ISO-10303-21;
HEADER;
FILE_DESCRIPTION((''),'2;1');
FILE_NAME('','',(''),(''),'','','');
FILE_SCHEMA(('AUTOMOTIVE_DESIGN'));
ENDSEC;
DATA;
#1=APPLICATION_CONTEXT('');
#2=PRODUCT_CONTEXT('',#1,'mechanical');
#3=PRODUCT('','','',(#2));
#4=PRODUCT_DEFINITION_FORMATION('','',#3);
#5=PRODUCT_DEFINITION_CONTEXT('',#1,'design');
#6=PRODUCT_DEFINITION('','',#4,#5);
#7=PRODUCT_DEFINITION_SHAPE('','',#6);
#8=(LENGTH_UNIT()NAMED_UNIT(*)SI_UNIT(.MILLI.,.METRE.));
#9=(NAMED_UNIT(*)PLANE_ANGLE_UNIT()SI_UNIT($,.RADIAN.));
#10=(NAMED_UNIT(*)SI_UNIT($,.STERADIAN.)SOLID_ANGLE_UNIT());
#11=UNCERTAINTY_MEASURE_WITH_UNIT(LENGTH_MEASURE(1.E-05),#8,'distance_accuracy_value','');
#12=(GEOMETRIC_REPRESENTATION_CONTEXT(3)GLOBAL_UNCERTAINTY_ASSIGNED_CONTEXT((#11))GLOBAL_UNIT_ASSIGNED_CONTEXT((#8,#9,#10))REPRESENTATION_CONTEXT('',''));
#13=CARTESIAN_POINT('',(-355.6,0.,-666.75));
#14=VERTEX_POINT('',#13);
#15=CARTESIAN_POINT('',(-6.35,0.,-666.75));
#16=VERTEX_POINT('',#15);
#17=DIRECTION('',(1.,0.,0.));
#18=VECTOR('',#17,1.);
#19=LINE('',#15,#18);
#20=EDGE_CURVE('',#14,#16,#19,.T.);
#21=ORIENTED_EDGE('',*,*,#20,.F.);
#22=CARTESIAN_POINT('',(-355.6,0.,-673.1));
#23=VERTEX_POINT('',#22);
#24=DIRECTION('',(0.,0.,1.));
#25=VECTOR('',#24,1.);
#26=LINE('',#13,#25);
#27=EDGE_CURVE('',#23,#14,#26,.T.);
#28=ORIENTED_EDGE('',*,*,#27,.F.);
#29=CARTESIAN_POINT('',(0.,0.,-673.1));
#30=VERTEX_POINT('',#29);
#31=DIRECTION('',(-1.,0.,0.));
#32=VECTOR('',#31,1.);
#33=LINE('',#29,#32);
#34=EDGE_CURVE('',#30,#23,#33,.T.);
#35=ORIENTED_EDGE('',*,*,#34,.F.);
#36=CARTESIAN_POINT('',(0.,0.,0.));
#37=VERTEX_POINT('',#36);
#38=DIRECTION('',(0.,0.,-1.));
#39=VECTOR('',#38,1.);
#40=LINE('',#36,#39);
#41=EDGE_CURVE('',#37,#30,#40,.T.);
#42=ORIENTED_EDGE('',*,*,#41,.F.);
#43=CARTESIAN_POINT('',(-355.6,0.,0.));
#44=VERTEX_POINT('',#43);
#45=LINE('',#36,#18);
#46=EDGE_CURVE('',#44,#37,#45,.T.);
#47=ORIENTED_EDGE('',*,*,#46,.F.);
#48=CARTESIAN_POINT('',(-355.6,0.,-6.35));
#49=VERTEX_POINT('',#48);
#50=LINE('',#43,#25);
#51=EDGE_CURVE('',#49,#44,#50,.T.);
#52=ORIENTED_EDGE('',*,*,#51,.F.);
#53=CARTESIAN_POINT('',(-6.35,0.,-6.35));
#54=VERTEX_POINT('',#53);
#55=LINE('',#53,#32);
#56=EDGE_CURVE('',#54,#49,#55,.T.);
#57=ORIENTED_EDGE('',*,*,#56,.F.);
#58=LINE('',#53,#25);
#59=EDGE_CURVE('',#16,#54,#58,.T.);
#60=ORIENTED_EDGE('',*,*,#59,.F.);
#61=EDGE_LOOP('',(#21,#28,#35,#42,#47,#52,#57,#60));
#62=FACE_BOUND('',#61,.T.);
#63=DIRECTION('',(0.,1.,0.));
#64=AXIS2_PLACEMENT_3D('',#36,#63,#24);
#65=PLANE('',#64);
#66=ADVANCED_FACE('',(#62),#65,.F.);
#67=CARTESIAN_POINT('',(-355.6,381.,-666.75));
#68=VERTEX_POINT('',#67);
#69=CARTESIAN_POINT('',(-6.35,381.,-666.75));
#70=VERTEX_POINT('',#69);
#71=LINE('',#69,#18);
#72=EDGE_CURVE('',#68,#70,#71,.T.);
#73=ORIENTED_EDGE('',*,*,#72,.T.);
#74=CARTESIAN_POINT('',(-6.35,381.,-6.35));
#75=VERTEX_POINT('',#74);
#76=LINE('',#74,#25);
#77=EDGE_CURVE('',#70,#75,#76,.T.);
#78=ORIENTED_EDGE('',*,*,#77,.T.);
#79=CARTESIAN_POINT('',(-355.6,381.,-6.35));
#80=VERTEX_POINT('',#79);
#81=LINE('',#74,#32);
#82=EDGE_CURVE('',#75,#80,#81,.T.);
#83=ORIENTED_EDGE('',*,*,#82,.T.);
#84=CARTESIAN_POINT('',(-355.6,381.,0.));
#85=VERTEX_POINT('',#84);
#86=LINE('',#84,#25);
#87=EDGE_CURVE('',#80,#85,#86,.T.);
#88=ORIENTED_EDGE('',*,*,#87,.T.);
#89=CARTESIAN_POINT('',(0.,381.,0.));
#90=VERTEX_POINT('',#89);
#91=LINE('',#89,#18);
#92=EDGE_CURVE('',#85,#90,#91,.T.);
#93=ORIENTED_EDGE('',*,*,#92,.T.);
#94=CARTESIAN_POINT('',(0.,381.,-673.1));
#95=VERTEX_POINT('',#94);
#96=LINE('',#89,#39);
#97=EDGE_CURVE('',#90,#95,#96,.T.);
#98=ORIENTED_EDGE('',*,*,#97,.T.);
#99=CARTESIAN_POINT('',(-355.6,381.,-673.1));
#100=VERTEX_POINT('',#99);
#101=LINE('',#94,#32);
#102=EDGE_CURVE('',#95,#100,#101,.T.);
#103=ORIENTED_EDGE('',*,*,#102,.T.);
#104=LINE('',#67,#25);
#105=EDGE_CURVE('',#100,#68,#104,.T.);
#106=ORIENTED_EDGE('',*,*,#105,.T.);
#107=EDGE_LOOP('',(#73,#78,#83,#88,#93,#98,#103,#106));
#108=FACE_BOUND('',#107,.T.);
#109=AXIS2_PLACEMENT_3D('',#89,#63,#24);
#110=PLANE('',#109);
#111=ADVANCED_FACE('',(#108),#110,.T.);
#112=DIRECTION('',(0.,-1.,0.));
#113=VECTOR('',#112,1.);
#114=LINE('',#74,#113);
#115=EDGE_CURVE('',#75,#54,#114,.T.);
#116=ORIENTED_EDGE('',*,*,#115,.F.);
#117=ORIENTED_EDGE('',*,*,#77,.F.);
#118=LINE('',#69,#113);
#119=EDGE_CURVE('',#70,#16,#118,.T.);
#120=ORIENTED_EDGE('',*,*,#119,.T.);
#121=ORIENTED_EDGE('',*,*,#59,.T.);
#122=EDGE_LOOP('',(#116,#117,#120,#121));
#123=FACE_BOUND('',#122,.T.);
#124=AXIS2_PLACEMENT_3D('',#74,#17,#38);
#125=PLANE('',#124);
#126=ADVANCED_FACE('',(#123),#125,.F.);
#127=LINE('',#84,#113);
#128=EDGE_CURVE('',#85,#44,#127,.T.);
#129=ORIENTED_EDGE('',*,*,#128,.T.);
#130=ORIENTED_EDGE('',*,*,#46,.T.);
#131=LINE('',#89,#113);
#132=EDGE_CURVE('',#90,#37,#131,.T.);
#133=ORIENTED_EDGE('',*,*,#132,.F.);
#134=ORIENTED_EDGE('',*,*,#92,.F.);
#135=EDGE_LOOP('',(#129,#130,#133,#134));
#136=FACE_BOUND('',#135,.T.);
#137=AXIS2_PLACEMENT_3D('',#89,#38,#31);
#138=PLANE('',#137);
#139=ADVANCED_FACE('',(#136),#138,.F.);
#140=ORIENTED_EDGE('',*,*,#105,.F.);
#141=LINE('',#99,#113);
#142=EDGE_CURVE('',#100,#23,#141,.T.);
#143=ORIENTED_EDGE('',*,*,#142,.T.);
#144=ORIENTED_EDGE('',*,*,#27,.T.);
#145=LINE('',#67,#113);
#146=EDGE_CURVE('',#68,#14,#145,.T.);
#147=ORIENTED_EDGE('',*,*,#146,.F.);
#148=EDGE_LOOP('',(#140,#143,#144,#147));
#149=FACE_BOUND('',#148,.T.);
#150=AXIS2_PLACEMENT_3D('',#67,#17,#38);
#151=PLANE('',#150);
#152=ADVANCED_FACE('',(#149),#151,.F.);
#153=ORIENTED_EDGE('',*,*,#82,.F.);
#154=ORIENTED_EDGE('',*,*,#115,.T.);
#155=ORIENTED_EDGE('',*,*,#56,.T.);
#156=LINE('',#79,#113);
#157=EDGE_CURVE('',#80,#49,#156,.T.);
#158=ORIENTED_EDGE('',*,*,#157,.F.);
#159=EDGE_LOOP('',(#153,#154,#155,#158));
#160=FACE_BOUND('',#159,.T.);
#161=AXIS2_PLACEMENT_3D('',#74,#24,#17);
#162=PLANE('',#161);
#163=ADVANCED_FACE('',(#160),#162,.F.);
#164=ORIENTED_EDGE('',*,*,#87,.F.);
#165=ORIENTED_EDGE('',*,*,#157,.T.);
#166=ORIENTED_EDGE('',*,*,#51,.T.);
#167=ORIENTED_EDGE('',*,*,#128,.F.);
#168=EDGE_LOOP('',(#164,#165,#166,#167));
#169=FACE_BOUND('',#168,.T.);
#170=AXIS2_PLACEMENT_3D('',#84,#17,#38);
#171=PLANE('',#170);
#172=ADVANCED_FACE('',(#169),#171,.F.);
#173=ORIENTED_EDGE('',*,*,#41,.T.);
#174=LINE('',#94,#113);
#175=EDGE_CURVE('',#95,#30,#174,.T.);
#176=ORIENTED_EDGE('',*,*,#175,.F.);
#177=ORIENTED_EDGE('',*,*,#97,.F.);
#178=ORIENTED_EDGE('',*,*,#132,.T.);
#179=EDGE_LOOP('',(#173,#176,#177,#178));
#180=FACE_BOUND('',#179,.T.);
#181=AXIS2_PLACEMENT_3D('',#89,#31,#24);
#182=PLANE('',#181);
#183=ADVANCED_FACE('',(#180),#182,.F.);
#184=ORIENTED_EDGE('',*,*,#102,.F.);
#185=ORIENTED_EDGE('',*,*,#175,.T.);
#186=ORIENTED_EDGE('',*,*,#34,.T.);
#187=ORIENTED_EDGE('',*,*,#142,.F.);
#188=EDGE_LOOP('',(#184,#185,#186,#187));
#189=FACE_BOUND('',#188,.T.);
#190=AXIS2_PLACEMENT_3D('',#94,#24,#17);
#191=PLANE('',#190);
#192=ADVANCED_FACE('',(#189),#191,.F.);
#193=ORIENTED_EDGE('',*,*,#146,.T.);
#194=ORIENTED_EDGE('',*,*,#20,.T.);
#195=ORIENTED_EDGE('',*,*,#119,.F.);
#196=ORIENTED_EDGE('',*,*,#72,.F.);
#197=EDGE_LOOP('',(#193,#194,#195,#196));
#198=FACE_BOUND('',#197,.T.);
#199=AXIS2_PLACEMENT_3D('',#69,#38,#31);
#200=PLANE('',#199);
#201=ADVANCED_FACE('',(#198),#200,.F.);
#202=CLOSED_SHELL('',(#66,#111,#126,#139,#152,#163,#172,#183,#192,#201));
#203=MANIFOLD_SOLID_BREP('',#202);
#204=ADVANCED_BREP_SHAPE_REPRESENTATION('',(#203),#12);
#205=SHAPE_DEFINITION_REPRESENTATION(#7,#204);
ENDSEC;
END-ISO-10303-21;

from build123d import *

# Parameters (mm, degrees)
BOSS_EXTRUDE1_DEPTH = 381


with BuildPart() as part:
    # Sketch1 → Boss-Extrude1 (new body)
    with BuildSketch(Plane(origin=(0, 0, 0), x_dir=(1, 0, 0), z_dir=(0, 1, 0))):
        Polygon((-6.35, 666.75), (-355.6, 666.75), (-355.6, 673.1), (0, 673.1), (0, 0), (-355.6, 0), (-355.6, 6.35), (-6.35, 6.35), align=None)
    extrude(amount=BOSS_EXTRUDE1_DEPTH)


solid = part.part
